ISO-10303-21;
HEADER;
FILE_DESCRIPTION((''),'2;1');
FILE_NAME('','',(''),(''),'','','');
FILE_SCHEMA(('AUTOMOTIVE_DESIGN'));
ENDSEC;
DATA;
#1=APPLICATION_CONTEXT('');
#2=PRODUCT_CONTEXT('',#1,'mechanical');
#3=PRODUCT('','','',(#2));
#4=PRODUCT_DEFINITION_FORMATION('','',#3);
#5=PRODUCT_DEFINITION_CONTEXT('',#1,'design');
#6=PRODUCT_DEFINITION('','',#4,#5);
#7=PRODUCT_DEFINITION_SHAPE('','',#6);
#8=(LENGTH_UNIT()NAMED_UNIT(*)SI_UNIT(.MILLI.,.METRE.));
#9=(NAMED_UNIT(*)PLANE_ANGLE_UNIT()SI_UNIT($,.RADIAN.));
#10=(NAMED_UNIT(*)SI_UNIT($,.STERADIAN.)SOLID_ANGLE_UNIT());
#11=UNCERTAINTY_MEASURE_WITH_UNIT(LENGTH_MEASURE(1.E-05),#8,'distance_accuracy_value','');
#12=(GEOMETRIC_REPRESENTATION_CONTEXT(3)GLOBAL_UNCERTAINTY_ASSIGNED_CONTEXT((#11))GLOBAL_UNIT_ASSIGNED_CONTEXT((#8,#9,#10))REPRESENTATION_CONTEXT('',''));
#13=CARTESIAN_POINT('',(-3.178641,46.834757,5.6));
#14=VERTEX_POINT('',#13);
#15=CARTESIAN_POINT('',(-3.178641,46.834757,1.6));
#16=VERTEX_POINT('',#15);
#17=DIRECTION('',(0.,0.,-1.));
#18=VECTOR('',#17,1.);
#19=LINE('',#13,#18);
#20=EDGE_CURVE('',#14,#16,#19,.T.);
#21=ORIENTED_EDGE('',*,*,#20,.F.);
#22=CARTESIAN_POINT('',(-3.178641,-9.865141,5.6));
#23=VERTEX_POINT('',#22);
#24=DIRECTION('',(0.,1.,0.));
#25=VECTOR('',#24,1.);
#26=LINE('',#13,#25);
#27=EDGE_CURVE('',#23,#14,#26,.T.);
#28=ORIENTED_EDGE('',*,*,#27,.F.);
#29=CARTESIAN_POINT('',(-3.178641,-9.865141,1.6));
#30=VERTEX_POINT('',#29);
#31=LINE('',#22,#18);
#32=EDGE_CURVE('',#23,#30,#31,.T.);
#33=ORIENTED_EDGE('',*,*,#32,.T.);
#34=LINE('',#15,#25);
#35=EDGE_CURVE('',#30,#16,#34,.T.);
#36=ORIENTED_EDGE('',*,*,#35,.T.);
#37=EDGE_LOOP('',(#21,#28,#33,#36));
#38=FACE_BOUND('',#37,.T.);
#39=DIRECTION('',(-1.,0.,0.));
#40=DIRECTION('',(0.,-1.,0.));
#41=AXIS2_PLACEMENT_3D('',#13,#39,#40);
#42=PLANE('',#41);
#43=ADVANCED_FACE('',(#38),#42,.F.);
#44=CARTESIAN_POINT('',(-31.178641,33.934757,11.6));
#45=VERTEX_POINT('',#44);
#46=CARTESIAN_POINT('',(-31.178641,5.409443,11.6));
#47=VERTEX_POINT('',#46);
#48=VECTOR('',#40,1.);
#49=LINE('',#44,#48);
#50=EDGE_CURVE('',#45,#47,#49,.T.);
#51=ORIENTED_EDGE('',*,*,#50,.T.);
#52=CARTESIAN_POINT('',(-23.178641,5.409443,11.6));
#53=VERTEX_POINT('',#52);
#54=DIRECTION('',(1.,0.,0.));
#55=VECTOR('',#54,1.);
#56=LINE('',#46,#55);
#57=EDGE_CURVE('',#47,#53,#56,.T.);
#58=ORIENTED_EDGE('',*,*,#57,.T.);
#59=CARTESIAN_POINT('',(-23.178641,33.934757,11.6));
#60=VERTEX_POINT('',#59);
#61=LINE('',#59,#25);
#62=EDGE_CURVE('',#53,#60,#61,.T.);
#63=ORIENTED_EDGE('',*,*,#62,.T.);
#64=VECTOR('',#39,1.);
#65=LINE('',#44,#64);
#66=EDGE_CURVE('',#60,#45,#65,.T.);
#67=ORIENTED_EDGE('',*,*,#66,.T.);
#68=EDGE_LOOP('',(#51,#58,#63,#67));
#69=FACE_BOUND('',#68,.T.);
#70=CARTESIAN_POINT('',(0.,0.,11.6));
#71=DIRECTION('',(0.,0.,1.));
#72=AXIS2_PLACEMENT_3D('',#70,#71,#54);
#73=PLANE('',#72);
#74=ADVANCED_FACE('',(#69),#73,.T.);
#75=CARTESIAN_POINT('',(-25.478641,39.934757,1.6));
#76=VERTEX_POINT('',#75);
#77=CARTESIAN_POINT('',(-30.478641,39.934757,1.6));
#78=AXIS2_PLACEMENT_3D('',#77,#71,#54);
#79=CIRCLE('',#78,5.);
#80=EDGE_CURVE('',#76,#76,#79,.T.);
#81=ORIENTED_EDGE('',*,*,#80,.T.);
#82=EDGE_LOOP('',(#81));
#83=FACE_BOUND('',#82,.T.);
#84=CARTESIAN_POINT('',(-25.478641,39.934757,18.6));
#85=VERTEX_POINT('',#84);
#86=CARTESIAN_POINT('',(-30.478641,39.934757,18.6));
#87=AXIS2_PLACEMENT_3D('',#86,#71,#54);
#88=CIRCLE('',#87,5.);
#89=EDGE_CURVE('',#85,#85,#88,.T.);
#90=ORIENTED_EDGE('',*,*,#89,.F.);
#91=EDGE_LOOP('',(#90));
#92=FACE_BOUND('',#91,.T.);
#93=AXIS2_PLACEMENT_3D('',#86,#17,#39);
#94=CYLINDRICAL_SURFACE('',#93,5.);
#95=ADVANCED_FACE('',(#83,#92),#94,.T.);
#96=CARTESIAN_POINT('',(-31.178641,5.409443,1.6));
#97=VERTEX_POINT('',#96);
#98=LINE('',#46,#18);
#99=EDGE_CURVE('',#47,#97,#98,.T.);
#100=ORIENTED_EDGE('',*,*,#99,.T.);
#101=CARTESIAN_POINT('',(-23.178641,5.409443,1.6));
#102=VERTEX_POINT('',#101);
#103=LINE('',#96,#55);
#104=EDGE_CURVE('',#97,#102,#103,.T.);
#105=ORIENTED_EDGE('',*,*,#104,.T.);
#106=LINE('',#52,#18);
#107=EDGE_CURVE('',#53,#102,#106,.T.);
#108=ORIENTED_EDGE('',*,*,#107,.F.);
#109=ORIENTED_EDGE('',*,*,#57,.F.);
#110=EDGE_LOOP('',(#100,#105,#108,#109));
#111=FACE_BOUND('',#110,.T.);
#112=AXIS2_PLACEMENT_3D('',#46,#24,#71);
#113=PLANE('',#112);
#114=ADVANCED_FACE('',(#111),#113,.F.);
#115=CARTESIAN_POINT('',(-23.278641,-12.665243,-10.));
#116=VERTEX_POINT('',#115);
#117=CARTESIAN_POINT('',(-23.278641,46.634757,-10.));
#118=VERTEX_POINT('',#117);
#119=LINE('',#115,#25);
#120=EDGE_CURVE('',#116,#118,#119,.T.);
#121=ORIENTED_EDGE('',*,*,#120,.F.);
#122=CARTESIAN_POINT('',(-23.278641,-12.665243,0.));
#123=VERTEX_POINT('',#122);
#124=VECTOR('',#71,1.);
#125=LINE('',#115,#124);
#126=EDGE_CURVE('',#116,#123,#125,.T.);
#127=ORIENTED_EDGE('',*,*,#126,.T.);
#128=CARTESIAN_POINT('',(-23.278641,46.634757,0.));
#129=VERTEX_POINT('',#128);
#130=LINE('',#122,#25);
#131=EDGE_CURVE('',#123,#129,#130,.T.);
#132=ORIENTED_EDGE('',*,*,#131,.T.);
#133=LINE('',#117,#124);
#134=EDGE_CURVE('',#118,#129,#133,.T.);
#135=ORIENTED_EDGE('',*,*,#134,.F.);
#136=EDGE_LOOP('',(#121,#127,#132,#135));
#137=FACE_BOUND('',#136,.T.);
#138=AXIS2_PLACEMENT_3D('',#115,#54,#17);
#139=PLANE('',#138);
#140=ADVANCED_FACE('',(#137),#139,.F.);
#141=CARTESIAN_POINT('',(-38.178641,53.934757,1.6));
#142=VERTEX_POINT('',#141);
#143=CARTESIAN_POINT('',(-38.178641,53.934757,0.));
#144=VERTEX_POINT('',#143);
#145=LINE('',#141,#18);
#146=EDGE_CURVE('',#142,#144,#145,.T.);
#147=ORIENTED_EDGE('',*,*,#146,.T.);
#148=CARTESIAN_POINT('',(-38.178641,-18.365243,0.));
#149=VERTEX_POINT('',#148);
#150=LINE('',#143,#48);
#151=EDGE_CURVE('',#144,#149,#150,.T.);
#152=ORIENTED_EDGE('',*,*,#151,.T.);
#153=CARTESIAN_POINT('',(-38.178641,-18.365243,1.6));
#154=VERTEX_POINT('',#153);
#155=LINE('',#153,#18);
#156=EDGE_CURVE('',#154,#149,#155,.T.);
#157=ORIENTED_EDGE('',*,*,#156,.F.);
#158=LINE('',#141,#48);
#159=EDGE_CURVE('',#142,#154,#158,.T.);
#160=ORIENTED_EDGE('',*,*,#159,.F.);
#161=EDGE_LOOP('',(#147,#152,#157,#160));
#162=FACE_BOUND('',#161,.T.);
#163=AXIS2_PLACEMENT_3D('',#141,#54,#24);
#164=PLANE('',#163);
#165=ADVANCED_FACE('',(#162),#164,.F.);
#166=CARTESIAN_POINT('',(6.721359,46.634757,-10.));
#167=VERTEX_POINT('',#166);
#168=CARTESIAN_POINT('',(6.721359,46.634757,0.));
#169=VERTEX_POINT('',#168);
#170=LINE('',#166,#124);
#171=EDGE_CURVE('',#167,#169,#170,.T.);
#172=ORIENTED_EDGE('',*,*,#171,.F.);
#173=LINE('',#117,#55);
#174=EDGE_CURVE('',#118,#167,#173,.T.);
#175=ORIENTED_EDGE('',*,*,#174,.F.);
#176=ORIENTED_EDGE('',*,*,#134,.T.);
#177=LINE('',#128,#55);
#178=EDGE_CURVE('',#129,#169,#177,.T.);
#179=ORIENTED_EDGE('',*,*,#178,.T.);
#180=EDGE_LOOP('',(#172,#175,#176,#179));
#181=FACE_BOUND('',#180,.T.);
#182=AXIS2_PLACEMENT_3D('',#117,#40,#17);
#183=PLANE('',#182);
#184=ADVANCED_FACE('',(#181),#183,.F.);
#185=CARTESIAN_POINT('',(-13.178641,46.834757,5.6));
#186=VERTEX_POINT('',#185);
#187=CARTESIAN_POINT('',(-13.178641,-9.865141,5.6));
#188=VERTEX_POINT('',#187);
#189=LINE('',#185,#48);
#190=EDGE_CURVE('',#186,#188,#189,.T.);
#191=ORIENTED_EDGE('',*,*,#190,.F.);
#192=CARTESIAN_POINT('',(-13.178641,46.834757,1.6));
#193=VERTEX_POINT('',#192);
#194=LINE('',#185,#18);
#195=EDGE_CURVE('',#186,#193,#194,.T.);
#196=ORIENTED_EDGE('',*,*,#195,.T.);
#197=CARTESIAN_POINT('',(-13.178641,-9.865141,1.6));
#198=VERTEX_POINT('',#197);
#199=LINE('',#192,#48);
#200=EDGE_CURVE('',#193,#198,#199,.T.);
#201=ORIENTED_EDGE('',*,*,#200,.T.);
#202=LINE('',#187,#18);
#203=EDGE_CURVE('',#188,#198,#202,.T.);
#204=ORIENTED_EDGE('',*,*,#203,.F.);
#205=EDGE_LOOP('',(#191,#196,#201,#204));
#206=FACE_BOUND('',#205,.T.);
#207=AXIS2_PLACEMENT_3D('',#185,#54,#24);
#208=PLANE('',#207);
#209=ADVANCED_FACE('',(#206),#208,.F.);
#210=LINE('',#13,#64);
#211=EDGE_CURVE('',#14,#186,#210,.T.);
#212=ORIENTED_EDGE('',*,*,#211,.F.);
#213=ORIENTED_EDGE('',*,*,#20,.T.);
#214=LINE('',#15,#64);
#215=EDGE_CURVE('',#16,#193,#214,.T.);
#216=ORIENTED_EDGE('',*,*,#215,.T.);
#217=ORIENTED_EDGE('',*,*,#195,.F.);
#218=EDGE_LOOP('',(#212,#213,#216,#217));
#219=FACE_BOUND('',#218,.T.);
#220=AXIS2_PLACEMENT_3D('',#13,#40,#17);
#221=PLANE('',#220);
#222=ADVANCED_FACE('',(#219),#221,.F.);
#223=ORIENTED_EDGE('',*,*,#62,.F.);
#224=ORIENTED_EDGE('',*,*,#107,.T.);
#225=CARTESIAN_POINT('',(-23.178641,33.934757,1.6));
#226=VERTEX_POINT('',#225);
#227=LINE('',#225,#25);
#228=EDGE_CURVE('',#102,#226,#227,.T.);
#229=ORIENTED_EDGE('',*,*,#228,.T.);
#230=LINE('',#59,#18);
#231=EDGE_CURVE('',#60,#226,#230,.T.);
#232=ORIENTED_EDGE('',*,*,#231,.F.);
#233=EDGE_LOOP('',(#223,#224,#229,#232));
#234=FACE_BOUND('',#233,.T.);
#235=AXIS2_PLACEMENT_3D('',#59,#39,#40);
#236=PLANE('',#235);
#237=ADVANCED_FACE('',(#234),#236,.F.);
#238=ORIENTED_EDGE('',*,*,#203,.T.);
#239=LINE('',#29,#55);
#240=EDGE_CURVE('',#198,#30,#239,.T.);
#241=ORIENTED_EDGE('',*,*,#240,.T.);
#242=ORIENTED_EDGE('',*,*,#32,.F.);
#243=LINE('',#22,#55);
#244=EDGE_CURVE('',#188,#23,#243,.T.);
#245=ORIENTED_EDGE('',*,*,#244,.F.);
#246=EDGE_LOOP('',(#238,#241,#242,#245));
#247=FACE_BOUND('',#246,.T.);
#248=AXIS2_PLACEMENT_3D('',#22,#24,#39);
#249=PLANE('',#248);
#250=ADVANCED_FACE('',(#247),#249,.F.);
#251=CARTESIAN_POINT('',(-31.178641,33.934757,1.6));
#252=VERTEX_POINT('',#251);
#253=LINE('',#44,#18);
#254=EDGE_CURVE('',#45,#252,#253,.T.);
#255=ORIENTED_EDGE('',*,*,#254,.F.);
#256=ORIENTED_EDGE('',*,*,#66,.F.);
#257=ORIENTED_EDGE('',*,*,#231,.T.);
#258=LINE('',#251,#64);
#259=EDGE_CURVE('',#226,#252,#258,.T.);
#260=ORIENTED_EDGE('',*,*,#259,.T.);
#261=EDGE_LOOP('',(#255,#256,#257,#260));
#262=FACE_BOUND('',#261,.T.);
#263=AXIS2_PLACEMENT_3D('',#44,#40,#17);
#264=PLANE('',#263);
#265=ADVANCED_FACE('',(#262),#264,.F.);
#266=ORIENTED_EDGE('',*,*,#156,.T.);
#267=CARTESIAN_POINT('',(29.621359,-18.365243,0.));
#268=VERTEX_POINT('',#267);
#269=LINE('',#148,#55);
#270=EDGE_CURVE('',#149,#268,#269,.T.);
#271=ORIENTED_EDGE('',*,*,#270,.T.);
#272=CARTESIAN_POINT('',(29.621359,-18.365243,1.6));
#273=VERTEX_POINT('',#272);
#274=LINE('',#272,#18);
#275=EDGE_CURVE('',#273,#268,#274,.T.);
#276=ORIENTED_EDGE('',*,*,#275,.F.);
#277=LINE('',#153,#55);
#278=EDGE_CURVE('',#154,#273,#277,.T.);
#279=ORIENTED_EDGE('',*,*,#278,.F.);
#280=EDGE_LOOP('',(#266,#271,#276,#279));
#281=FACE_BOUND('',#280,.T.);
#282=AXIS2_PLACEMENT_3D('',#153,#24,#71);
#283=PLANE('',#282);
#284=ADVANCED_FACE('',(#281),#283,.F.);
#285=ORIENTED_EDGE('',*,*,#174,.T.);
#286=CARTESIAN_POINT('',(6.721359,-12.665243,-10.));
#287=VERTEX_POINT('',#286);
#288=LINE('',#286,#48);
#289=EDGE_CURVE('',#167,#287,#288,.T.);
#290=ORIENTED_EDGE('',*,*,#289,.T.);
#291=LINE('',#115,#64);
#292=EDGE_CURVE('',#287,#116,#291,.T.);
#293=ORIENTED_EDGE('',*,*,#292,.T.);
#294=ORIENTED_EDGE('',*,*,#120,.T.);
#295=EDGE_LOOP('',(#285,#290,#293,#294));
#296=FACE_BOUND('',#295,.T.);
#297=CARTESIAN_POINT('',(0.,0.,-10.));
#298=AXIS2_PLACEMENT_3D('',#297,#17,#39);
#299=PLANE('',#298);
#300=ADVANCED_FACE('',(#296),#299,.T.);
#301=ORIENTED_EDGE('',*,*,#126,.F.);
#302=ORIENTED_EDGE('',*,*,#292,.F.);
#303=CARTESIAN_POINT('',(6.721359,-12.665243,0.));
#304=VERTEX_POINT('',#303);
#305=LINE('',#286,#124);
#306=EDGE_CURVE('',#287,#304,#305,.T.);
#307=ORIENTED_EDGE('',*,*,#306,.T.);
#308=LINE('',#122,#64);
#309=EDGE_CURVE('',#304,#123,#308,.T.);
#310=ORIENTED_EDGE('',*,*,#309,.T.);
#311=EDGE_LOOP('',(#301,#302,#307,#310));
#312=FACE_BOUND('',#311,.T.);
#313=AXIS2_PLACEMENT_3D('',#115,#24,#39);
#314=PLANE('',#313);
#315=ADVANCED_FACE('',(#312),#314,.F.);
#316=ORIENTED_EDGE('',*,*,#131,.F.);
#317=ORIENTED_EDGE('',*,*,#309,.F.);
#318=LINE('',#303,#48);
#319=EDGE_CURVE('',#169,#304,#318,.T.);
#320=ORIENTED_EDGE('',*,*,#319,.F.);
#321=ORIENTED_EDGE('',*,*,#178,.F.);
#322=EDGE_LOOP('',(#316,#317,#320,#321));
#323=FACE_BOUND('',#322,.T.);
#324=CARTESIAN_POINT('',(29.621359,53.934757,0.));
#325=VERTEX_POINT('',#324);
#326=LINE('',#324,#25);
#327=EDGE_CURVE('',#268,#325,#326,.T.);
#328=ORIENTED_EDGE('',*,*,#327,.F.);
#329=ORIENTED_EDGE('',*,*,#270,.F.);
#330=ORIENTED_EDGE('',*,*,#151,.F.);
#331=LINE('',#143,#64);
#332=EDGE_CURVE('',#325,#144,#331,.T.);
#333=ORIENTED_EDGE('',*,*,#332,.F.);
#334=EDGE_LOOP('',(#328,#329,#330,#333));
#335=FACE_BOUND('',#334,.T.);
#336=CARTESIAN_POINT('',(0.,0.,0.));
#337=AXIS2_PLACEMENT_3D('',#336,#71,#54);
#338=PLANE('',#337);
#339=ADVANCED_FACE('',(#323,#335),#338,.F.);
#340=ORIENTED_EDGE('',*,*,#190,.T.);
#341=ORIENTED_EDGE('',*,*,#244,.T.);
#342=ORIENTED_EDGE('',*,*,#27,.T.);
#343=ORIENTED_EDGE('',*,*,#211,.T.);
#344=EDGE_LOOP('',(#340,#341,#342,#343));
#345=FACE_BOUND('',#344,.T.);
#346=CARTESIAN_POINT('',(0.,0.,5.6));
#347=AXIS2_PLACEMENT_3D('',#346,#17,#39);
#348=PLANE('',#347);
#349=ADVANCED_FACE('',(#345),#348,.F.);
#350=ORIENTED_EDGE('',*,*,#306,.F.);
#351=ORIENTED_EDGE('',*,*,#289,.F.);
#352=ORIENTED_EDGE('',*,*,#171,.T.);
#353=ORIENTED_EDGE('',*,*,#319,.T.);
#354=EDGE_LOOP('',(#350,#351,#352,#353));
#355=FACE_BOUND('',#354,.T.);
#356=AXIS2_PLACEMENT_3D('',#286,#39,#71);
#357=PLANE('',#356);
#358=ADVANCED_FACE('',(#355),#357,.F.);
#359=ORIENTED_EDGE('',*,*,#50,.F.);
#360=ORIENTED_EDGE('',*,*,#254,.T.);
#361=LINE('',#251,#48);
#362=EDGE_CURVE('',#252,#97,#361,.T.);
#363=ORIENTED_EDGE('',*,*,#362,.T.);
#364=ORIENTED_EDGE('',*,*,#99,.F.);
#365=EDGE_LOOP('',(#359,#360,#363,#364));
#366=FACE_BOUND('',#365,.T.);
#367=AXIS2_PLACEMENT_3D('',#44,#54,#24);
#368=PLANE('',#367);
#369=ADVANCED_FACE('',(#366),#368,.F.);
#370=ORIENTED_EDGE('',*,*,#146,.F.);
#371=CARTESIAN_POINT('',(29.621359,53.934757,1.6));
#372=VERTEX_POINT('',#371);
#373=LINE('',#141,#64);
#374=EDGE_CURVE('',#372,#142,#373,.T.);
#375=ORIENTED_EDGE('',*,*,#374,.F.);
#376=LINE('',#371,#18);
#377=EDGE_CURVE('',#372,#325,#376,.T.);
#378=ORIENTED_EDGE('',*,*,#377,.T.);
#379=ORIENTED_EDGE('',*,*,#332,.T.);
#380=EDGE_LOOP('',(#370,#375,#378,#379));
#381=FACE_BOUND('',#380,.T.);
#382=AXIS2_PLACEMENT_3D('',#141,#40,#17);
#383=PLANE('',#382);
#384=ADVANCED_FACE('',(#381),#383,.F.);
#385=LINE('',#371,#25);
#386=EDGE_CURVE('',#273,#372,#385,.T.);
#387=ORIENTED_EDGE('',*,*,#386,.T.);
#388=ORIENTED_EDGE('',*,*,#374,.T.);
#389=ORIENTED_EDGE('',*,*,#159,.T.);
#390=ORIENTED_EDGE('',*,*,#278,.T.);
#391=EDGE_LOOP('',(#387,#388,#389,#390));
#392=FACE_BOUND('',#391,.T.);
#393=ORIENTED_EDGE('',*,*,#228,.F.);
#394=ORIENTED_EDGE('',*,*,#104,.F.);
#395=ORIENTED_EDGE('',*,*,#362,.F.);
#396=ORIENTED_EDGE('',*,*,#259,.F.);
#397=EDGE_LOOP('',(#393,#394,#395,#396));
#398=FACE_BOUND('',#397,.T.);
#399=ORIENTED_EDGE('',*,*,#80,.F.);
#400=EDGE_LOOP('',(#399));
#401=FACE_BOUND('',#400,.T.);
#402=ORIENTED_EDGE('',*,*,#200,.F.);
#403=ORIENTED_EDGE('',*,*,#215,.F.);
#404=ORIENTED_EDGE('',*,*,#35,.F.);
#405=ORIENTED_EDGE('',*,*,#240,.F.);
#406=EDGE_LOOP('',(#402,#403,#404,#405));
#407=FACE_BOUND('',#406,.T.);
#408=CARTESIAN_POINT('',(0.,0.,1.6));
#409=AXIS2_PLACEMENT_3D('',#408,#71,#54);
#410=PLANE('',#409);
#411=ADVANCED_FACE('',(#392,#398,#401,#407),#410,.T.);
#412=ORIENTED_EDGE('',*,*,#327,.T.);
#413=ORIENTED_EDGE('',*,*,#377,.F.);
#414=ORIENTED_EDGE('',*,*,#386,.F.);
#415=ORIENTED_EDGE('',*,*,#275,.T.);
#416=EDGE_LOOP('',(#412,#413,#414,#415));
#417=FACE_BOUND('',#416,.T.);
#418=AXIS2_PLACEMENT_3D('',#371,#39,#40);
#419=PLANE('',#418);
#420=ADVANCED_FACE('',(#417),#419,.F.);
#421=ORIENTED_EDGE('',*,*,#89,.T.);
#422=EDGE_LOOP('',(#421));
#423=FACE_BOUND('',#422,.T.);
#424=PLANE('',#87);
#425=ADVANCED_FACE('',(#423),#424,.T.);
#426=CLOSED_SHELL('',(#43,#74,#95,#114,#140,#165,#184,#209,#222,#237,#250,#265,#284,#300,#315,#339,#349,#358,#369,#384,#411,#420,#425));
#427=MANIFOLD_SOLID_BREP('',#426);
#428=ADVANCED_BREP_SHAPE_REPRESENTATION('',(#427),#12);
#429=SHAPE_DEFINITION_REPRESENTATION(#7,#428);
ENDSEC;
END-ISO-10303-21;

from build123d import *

# Parameters (mm, degrees)
SKETCH1_W           = 67.8
SKETCH1_H           = 72.3
BOSS_EXTRUDE1_DEPTH = 1.6
SKETCH3_W           = 10
SKETCH3_H           = 56.699897886
BOSS_EXTRUDE2_DEPTH = 4
SKETCH4_W           = 8
SKETCH4_H           = 28.525313837
BOSS_EXTRUDE3_DEPTH = 10
SKETCH5_R           = 5
BOSS_EXTRUDE4_DEPTH = 17
SKETCH6_W           = 30
SKETCH6_H           = 59.3
BOSS_EXTRUDE5_DEPTH = 10


with BuildPart() as part:
    # Sketch1 → Boss-Extrude1 (new body)
    with BuildSketch(Plane.XY):
        with Locations((-4.278640777, 17.784757282)):
            Rectangle(SKETCH1_W, SKETCH1_H)
    extrude(amount=BOSS_EXTRUDE1_DEPTH)

    # Sketch3 → Boss-Extrude2 (add)
    with BuildSketch(Plane.XY.offset(1.6)):
        with Locations((-8.178640777, 18.484808339)):
            Rectangle(SKETCH3_W, SKETCH3_H)
    extrude(amount=BOSS_EXTRUDE2_DEPTH)

    # Sketch4 → Boss-Extrude3 (add)
    with BuildSketch(Plane.XY.offset(1.6)):
        with Locations((-27.178640777, 19.672100364)):
            Rectangle(SKETCH4_W, SKETCH4_H)
    extrude(amount=BOSS_EXTRUDE3_DEPTH)

    # Sketch5 → Boss-Extrude4 (add)
    with BuildSketch(Plane.XY.offset(1.6)):
        with Locations((-30.478640777, 39.934757282)):
            Circle(SKETCH5_R)
    extrude(amount=BOSS_EXTRUDE4_DEPTH)

    # Sketch6 → Boss-Extrude5 (add)
    with BuildSketch(Plane(origin=(0, 0, 0), x_dir=(-1, 0, 0), z_dir=(0, 0, -1))):
        with Locations((8.278640777, 16.984757282)):
            Rectangle(SKETCH6_W, SKETCH6_H)
    extrude(amount=BOSS_EXTRUDE5_DEPTH)


solid = part.part
